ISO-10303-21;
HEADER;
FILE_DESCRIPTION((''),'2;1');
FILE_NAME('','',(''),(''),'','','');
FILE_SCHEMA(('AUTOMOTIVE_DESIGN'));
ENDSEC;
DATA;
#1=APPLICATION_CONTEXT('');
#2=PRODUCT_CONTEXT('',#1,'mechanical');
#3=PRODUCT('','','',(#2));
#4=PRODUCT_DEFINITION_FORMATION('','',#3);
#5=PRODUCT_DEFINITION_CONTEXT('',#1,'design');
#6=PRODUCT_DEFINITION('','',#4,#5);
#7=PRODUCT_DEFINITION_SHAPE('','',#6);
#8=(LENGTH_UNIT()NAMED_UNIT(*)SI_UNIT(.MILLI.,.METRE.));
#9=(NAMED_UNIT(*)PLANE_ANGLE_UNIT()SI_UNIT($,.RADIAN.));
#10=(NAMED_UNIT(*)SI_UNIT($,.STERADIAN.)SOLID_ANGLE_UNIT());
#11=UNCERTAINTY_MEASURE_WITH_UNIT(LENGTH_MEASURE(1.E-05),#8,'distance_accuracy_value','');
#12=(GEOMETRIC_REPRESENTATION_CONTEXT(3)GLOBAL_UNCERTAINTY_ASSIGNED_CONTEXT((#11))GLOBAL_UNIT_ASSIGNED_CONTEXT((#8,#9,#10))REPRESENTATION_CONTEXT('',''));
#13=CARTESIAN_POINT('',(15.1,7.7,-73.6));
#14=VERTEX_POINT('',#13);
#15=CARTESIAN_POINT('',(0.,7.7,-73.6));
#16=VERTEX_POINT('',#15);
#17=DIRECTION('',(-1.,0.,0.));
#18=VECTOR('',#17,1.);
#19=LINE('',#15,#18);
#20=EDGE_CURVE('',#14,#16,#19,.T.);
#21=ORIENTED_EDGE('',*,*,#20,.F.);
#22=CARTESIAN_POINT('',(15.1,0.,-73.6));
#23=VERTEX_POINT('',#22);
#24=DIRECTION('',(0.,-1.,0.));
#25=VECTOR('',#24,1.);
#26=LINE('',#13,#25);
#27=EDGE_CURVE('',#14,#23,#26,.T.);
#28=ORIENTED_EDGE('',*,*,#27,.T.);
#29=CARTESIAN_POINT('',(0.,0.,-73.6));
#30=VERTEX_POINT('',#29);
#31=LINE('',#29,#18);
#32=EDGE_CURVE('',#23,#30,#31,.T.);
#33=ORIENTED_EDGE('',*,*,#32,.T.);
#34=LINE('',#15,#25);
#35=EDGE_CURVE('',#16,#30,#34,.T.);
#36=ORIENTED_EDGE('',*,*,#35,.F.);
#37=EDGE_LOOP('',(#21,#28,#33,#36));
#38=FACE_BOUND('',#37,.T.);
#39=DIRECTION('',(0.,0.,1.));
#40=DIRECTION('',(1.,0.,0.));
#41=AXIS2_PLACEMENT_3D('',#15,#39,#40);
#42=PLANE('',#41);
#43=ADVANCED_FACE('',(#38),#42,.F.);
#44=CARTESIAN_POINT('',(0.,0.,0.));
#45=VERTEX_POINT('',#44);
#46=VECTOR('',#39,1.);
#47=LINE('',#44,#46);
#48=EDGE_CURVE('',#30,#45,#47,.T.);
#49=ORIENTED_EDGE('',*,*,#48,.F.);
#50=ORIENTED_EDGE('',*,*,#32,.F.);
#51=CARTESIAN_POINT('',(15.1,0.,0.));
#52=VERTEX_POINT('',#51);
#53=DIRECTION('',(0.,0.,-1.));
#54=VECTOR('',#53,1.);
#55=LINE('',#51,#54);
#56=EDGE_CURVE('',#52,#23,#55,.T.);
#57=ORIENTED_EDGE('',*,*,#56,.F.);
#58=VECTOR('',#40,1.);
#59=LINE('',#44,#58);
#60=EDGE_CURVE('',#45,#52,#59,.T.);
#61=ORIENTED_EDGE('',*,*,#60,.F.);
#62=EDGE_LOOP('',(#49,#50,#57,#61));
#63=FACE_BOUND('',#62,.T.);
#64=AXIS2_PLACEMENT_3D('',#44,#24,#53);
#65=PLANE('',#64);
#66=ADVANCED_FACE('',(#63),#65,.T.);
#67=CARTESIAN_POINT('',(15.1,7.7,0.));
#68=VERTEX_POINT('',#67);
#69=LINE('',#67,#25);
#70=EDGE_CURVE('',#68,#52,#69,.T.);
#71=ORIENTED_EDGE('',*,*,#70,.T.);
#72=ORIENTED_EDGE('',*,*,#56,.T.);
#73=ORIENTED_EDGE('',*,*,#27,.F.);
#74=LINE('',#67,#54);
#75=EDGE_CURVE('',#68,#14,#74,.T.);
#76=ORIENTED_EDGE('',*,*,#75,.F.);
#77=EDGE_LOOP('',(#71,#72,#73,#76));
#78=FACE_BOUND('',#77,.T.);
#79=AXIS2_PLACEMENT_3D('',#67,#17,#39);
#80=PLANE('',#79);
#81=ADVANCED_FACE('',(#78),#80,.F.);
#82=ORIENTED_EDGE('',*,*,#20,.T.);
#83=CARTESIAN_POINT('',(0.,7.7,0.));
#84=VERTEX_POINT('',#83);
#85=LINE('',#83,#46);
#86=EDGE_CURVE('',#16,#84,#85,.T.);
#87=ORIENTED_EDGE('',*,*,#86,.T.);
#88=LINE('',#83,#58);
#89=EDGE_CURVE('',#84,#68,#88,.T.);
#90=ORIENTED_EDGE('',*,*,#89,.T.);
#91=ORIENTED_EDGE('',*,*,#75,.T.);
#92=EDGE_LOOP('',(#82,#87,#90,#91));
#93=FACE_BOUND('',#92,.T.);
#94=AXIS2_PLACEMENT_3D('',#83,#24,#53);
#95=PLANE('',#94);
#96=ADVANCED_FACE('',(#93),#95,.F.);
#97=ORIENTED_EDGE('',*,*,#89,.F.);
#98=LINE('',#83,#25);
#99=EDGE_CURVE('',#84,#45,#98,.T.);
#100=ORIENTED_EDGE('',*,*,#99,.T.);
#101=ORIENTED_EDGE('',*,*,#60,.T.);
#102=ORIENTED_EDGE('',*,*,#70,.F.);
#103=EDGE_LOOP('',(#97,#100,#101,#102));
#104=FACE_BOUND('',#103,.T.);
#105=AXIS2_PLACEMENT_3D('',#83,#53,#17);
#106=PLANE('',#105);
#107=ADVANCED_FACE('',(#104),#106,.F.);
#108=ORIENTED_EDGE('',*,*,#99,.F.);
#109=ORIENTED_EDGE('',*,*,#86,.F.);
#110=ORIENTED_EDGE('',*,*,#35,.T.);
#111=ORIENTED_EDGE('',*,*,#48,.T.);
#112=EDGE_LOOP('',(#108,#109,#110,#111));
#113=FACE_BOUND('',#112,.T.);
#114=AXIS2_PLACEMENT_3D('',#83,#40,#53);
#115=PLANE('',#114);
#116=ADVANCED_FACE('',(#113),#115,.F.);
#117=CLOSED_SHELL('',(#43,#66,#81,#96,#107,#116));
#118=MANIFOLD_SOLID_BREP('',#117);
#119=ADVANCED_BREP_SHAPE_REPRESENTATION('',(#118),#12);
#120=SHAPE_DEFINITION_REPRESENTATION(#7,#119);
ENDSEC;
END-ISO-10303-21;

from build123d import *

# Parameters (mm, degrees)
J1HEADER_SKETCH_W       = 15.1
J1HEADER_SKETCH_H       = 73.6
J1_HEADER_EXTRUDE_DEPTH = 7.7


with BuildPart() as part:
    # J1Header Sketch → J1 Header Extrude (new body)
    with BuildSketch(Plane(origin=(0, 0, 0), x_dir=(1, 0, 0), z_dir=(0, 1, 0))):
        with Locations((7.55, 36.8)):
            Rectangle(J1HEADER_SKETCH_W, J1HEADER_SKETCH_H)
    extrude(amount=J1_HEADER_EXTRUDE_DEPTH)


solid = part.part
